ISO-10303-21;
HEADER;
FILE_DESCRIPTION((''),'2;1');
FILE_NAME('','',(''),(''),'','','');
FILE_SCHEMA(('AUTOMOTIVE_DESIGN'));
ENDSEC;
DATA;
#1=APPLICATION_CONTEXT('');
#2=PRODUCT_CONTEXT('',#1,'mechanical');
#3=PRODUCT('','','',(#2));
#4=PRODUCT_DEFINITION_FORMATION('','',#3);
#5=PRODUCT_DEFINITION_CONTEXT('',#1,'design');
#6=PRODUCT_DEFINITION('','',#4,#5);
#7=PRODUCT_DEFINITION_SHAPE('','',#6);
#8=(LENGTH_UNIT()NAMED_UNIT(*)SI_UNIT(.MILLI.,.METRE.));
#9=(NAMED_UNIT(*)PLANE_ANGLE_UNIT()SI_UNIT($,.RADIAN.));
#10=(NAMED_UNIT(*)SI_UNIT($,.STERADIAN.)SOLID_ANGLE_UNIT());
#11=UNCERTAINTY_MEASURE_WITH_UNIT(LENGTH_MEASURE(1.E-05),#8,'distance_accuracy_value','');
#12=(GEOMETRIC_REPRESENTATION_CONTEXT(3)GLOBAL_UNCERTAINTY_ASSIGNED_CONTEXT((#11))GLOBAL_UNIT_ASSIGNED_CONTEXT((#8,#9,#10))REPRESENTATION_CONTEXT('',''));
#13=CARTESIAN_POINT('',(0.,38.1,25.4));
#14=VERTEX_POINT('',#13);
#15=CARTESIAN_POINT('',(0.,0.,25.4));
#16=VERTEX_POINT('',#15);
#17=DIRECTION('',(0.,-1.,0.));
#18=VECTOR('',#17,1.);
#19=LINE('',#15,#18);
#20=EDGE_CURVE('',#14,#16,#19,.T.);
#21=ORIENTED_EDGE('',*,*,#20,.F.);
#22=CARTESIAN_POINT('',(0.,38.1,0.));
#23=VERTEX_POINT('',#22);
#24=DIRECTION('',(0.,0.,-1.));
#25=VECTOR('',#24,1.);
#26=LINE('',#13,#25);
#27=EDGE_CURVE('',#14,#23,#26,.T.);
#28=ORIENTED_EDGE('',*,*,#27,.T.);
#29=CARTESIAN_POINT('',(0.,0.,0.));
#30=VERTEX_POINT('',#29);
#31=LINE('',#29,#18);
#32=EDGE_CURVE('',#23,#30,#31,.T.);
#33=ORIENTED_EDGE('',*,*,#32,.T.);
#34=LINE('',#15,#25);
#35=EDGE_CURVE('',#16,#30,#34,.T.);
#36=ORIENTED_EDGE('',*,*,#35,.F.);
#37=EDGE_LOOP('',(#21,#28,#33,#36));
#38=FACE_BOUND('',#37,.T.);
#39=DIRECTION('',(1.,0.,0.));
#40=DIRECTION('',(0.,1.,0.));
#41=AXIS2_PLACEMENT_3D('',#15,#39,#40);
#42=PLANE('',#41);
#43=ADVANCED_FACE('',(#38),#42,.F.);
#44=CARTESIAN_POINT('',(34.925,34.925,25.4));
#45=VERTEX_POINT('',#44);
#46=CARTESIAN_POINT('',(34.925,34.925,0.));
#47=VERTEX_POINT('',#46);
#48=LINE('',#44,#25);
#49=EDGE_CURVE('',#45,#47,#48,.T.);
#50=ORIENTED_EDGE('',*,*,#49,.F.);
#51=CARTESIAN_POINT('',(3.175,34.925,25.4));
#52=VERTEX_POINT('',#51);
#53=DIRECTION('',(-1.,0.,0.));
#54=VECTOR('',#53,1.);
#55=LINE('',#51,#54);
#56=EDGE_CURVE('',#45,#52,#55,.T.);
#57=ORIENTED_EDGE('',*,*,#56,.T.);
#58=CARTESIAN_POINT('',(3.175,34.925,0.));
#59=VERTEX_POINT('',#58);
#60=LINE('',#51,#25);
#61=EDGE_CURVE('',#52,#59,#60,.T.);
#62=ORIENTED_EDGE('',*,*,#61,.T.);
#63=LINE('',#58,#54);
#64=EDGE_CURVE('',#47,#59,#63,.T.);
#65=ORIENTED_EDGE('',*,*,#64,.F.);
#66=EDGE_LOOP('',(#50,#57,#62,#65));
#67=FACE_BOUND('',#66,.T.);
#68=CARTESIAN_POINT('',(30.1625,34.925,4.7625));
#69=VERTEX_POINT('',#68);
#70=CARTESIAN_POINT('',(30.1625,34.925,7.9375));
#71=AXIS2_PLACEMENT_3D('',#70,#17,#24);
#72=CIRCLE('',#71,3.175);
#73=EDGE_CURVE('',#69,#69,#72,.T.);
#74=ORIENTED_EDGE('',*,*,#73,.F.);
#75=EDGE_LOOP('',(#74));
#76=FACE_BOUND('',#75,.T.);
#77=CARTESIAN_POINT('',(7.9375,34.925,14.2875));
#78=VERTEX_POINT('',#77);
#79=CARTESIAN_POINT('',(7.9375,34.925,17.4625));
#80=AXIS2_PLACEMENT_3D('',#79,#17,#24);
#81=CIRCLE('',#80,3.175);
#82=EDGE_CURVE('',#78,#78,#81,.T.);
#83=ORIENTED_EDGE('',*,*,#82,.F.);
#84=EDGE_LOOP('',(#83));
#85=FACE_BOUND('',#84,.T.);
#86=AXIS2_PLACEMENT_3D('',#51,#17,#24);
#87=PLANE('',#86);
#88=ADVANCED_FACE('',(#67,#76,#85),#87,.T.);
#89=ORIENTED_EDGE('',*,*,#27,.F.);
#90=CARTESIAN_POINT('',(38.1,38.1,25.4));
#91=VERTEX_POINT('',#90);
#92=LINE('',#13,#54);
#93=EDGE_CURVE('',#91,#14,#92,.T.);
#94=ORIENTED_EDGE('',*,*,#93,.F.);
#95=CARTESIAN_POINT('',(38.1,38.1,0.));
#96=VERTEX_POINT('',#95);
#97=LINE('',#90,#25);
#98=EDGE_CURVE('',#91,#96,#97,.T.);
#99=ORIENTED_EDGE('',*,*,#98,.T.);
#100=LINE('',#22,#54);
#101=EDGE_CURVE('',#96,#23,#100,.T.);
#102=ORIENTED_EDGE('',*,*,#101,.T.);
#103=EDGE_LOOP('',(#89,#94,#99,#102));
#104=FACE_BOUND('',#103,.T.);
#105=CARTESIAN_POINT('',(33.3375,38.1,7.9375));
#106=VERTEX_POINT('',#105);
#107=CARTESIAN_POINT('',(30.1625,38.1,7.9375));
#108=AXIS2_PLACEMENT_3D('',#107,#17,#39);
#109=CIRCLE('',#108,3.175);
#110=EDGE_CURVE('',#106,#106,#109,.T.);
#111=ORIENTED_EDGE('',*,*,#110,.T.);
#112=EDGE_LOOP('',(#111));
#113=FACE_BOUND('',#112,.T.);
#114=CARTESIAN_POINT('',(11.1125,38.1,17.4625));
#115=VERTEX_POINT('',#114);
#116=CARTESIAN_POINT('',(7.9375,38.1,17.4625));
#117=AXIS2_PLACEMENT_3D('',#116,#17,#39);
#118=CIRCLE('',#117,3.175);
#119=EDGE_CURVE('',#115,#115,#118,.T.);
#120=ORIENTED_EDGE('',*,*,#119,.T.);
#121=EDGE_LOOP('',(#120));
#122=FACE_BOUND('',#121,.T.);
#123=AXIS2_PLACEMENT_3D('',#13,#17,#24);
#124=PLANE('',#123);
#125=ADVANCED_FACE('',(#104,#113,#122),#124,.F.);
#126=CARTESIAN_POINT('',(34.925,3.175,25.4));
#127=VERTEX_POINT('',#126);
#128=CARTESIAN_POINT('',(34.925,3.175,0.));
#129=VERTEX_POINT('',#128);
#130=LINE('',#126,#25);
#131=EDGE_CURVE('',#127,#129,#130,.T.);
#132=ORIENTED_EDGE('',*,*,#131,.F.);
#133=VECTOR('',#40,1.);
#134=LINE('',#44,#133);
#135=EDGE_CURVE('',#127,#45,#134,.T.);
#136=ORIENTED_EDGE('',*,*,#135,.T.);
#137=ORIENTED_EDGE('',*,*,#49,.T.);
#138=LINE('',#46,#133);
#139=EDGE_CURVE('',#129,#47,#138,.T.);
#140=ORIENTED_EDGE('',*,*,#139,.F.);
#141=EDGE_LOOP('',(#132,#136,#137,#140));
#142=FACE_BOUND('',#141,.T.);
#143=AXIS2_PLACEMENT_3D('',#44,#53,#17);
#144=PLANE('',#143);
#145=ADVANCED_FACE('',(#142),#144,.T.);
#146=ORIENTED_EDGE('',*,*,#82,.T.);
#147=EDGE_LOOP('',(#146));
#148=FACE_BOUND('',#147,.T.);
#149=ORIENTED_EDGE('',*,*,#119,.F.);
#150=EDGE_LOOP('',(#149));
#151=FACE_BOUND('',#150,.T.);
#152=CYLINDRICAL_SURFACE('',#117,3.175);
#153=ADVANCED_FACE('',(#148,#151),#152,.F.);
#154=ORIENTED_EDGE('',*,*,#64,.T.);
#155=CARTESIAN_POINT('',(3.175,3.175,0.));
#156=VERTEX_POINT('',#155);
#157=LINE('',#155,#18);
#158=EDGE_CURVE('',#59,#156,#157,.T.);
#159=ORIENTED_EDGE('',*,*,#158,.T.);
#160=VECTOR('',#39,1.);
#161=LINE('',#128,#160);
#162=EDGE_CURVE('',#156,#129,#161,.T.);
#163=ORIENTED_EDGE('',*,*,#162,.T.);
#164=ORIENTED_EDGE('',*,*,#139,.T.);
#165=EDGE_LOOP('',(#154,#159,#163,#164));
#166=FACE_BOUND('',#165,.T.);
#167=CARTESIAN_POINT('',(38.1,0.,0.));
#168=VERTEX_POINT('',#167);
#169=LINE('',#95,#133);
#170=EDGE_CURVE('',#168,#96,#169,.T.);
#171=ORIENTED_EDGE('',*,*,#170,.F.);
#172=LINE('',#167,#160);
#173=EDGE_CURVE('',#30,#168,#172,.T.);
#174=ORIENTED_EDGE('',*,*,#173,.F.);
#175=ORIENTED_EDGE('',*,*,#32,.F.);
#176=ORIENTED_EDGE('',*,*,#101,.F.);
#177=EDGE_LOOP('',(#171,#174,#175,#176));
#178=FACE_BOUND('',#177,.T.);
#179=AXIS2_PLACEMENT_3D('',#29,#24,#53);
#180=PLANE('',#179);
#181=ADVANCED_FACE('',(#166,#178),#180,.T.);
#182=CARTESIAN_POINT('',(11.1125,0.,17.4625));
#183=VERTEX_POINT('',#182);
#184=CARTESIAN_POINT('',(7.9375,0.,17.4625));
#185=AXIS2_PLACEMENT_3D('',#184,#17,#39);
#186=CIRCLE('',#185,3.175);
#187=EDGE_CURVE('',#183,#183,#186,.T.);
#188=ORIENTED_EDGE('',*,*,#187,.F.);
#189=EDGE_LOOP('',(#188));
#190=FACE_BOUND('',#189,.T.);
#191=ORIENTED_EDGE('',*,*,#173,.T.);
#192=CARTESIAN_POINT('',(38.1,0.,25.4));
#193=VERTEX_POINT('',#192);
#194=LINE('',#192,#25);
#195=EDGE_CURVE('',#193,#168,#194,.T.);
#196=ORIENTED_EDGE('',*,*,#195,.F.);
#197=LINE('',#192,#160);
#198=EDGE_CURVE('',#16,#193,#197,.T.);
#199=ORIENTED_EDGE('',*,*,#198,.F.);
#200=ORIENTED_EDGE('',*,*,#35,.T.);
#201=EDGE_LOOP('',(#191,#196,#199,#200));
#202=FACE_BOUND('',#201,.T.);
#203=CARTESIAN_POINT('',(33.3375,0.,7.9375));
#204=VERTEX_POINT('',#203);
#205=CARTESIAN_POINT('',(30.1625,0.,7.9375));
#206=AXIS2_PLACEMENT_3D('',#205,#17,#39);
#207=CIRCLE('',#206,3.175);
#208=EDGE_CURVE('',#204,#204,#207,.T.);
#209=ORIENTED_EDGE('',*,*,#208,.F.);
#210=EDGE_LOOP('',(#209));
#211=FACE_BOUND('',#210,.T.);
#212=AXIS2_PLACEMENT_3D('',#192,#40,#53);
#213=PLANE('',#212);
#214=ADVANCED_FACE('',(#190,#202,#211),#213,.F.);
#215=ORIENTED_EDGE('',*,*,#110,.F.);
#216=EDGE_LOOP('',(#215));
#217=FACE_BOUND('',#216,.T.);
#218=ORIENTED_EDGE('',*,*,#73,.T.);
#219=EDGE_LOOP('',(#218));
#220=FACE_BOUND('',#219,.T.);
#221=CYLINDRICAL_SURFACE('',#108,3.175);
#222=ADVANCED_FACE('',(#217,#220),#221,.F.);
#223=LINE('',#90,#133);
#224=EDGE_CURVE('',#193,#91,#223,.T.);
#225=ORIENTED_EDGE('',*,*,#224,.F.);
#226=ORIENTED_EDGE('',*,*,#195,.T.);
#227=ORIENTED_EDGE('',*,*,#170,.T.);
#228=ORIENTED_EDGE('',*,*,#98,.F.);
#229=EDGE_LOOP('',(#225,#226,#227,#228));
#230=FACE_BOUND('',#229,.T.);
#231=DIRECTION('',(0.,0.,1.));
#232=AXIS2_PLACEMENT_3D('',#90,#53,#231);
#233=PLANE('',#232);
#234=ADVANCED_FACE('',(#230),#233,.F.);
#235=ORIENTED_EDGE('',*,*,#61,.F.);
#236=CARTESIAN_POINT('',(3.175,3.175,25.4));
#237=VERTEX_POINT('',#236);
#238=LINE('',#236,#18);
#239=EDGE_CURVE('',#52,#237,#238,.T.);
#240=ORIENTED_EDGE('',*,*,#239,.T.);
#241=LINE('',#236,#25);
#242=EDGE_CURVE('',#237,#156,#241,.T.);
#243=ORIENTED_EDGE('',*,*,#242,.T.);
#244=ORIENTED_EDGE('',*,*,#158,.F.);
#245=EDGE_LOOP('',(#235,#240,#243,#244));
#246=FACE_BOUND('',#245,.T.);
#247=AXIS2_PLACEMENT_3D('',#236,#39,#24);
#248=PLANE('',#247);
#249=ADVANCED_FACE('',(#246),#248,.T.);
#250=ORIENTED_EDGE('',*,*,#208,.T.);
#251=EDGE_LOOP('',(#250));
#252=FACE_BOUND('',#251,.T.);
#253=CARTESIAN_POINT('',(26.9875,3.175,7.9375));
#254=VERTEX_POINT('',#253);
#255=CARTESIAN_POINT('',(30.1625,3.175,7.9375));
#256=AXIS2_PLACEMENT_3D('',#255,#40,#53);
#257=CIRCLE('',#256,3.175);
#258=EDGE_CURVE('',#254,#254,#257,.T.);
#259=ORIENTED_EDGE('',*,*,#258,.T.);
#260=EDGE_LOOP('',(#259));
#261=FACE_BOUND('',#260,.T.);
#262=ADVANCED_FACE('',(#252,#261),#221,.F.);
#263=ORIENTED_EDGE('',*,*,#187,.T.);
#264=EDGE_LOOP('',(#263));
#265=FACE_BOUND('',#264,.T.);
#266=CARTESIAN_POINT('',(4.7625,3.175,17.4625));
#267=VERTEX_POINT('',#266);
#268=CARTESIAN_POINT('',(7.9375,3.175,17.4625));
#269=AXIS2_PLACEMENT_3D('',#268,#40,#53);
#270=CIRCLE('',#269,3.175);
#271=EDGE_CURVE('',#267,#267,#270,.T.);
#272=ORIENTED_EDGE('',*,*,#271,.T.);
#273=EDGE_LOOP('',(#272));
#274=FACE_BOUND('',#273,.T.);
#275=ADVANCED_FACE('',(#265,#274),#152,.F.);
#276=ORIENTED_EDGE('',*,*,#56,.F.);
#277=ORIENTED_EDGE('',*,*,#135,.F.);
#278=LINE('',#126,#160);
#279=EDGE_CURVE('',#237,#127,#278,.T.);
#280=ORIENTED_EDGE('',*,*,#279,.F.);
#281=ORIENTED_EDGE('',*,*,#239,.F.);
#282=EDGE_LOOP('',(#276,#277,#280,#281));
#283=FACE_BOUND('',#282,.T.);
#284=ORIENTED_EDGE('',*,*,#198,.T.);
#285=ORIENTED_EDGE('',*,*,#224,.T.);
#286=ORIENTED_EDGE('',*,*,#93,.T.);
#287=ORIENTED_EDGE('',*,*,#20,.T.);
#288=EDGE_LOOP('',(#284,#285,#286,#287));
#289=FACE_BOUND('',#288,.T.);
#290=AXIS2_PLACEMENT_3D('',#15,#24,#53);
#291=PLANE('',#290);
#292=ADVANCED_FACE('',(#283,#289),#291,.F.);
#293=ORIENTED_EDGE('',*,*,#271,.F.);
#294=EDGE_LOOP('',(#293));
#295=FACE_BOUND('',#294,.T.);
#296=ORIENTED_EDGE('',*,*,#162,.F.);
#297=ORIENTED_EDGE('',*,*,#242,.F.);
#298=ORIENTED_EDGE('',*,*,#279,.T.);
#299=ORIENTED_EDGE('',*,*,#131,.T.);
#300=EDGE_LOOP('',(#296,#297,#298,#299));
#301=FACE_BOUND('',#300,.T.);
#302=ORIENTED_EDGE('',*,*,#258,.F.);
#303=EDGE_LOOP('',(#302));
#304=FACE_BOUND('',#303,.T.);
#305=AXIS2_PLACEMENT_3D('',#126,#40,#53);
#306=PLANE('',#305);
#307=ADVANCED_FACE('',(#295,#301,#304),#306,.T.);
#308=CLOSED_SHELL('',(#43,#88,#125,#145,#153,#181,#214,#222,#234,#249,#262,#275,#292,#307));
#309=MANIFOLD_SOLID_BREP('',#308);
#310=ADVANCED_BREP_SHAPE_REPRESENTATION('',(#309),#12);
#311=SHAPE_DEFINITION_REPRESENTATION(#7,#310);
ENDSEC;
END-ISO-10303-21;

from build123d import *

# Parameters (mm, degrees)
SKETCH1_W           = 38.1
SKETCH1_H           = 38.1
SKETCH1_W_2         = 31.75
SKETCH1_H_2         = 31.75
BOSS_EXTRUDE1_DEPTH = 25.4
SKETCH2_R           = 3.175
CUT_EXTRUDE1_DEPTH  = 39.1


with BuildPart() as part:
    # Sketch1 → Boss-Extrude1 (new body)
    with BuildSketch(Plane.XY):
        with Locations((19.05, 19.05)):
            Rectangle(SKETCH1_W, SKETCH1_H)
        with Locations((19.05, 19.05)):
            Rectangle(SKETCH1_W_2, SKETCH1_H_2, mode=Mode.SUBTRACT)
    extrude(amount=BOSS_EXTRUDE1_DEPTH)

    # Sketch2 → Cut-Extrude1 (cut, through all)
    with BuildSketch(Plane.XZ):
        with Locations((7.9375, 17.4625)):
            Circle(SKETCH2_R)
        with Locations((30.1625, 7.9375)):
            Circle(SKETCH2_R)
    extrude(amount=-CUT_EXTRUDE1_DEPTH, mode=Mode.SUBTRACT)


solid = part.part
